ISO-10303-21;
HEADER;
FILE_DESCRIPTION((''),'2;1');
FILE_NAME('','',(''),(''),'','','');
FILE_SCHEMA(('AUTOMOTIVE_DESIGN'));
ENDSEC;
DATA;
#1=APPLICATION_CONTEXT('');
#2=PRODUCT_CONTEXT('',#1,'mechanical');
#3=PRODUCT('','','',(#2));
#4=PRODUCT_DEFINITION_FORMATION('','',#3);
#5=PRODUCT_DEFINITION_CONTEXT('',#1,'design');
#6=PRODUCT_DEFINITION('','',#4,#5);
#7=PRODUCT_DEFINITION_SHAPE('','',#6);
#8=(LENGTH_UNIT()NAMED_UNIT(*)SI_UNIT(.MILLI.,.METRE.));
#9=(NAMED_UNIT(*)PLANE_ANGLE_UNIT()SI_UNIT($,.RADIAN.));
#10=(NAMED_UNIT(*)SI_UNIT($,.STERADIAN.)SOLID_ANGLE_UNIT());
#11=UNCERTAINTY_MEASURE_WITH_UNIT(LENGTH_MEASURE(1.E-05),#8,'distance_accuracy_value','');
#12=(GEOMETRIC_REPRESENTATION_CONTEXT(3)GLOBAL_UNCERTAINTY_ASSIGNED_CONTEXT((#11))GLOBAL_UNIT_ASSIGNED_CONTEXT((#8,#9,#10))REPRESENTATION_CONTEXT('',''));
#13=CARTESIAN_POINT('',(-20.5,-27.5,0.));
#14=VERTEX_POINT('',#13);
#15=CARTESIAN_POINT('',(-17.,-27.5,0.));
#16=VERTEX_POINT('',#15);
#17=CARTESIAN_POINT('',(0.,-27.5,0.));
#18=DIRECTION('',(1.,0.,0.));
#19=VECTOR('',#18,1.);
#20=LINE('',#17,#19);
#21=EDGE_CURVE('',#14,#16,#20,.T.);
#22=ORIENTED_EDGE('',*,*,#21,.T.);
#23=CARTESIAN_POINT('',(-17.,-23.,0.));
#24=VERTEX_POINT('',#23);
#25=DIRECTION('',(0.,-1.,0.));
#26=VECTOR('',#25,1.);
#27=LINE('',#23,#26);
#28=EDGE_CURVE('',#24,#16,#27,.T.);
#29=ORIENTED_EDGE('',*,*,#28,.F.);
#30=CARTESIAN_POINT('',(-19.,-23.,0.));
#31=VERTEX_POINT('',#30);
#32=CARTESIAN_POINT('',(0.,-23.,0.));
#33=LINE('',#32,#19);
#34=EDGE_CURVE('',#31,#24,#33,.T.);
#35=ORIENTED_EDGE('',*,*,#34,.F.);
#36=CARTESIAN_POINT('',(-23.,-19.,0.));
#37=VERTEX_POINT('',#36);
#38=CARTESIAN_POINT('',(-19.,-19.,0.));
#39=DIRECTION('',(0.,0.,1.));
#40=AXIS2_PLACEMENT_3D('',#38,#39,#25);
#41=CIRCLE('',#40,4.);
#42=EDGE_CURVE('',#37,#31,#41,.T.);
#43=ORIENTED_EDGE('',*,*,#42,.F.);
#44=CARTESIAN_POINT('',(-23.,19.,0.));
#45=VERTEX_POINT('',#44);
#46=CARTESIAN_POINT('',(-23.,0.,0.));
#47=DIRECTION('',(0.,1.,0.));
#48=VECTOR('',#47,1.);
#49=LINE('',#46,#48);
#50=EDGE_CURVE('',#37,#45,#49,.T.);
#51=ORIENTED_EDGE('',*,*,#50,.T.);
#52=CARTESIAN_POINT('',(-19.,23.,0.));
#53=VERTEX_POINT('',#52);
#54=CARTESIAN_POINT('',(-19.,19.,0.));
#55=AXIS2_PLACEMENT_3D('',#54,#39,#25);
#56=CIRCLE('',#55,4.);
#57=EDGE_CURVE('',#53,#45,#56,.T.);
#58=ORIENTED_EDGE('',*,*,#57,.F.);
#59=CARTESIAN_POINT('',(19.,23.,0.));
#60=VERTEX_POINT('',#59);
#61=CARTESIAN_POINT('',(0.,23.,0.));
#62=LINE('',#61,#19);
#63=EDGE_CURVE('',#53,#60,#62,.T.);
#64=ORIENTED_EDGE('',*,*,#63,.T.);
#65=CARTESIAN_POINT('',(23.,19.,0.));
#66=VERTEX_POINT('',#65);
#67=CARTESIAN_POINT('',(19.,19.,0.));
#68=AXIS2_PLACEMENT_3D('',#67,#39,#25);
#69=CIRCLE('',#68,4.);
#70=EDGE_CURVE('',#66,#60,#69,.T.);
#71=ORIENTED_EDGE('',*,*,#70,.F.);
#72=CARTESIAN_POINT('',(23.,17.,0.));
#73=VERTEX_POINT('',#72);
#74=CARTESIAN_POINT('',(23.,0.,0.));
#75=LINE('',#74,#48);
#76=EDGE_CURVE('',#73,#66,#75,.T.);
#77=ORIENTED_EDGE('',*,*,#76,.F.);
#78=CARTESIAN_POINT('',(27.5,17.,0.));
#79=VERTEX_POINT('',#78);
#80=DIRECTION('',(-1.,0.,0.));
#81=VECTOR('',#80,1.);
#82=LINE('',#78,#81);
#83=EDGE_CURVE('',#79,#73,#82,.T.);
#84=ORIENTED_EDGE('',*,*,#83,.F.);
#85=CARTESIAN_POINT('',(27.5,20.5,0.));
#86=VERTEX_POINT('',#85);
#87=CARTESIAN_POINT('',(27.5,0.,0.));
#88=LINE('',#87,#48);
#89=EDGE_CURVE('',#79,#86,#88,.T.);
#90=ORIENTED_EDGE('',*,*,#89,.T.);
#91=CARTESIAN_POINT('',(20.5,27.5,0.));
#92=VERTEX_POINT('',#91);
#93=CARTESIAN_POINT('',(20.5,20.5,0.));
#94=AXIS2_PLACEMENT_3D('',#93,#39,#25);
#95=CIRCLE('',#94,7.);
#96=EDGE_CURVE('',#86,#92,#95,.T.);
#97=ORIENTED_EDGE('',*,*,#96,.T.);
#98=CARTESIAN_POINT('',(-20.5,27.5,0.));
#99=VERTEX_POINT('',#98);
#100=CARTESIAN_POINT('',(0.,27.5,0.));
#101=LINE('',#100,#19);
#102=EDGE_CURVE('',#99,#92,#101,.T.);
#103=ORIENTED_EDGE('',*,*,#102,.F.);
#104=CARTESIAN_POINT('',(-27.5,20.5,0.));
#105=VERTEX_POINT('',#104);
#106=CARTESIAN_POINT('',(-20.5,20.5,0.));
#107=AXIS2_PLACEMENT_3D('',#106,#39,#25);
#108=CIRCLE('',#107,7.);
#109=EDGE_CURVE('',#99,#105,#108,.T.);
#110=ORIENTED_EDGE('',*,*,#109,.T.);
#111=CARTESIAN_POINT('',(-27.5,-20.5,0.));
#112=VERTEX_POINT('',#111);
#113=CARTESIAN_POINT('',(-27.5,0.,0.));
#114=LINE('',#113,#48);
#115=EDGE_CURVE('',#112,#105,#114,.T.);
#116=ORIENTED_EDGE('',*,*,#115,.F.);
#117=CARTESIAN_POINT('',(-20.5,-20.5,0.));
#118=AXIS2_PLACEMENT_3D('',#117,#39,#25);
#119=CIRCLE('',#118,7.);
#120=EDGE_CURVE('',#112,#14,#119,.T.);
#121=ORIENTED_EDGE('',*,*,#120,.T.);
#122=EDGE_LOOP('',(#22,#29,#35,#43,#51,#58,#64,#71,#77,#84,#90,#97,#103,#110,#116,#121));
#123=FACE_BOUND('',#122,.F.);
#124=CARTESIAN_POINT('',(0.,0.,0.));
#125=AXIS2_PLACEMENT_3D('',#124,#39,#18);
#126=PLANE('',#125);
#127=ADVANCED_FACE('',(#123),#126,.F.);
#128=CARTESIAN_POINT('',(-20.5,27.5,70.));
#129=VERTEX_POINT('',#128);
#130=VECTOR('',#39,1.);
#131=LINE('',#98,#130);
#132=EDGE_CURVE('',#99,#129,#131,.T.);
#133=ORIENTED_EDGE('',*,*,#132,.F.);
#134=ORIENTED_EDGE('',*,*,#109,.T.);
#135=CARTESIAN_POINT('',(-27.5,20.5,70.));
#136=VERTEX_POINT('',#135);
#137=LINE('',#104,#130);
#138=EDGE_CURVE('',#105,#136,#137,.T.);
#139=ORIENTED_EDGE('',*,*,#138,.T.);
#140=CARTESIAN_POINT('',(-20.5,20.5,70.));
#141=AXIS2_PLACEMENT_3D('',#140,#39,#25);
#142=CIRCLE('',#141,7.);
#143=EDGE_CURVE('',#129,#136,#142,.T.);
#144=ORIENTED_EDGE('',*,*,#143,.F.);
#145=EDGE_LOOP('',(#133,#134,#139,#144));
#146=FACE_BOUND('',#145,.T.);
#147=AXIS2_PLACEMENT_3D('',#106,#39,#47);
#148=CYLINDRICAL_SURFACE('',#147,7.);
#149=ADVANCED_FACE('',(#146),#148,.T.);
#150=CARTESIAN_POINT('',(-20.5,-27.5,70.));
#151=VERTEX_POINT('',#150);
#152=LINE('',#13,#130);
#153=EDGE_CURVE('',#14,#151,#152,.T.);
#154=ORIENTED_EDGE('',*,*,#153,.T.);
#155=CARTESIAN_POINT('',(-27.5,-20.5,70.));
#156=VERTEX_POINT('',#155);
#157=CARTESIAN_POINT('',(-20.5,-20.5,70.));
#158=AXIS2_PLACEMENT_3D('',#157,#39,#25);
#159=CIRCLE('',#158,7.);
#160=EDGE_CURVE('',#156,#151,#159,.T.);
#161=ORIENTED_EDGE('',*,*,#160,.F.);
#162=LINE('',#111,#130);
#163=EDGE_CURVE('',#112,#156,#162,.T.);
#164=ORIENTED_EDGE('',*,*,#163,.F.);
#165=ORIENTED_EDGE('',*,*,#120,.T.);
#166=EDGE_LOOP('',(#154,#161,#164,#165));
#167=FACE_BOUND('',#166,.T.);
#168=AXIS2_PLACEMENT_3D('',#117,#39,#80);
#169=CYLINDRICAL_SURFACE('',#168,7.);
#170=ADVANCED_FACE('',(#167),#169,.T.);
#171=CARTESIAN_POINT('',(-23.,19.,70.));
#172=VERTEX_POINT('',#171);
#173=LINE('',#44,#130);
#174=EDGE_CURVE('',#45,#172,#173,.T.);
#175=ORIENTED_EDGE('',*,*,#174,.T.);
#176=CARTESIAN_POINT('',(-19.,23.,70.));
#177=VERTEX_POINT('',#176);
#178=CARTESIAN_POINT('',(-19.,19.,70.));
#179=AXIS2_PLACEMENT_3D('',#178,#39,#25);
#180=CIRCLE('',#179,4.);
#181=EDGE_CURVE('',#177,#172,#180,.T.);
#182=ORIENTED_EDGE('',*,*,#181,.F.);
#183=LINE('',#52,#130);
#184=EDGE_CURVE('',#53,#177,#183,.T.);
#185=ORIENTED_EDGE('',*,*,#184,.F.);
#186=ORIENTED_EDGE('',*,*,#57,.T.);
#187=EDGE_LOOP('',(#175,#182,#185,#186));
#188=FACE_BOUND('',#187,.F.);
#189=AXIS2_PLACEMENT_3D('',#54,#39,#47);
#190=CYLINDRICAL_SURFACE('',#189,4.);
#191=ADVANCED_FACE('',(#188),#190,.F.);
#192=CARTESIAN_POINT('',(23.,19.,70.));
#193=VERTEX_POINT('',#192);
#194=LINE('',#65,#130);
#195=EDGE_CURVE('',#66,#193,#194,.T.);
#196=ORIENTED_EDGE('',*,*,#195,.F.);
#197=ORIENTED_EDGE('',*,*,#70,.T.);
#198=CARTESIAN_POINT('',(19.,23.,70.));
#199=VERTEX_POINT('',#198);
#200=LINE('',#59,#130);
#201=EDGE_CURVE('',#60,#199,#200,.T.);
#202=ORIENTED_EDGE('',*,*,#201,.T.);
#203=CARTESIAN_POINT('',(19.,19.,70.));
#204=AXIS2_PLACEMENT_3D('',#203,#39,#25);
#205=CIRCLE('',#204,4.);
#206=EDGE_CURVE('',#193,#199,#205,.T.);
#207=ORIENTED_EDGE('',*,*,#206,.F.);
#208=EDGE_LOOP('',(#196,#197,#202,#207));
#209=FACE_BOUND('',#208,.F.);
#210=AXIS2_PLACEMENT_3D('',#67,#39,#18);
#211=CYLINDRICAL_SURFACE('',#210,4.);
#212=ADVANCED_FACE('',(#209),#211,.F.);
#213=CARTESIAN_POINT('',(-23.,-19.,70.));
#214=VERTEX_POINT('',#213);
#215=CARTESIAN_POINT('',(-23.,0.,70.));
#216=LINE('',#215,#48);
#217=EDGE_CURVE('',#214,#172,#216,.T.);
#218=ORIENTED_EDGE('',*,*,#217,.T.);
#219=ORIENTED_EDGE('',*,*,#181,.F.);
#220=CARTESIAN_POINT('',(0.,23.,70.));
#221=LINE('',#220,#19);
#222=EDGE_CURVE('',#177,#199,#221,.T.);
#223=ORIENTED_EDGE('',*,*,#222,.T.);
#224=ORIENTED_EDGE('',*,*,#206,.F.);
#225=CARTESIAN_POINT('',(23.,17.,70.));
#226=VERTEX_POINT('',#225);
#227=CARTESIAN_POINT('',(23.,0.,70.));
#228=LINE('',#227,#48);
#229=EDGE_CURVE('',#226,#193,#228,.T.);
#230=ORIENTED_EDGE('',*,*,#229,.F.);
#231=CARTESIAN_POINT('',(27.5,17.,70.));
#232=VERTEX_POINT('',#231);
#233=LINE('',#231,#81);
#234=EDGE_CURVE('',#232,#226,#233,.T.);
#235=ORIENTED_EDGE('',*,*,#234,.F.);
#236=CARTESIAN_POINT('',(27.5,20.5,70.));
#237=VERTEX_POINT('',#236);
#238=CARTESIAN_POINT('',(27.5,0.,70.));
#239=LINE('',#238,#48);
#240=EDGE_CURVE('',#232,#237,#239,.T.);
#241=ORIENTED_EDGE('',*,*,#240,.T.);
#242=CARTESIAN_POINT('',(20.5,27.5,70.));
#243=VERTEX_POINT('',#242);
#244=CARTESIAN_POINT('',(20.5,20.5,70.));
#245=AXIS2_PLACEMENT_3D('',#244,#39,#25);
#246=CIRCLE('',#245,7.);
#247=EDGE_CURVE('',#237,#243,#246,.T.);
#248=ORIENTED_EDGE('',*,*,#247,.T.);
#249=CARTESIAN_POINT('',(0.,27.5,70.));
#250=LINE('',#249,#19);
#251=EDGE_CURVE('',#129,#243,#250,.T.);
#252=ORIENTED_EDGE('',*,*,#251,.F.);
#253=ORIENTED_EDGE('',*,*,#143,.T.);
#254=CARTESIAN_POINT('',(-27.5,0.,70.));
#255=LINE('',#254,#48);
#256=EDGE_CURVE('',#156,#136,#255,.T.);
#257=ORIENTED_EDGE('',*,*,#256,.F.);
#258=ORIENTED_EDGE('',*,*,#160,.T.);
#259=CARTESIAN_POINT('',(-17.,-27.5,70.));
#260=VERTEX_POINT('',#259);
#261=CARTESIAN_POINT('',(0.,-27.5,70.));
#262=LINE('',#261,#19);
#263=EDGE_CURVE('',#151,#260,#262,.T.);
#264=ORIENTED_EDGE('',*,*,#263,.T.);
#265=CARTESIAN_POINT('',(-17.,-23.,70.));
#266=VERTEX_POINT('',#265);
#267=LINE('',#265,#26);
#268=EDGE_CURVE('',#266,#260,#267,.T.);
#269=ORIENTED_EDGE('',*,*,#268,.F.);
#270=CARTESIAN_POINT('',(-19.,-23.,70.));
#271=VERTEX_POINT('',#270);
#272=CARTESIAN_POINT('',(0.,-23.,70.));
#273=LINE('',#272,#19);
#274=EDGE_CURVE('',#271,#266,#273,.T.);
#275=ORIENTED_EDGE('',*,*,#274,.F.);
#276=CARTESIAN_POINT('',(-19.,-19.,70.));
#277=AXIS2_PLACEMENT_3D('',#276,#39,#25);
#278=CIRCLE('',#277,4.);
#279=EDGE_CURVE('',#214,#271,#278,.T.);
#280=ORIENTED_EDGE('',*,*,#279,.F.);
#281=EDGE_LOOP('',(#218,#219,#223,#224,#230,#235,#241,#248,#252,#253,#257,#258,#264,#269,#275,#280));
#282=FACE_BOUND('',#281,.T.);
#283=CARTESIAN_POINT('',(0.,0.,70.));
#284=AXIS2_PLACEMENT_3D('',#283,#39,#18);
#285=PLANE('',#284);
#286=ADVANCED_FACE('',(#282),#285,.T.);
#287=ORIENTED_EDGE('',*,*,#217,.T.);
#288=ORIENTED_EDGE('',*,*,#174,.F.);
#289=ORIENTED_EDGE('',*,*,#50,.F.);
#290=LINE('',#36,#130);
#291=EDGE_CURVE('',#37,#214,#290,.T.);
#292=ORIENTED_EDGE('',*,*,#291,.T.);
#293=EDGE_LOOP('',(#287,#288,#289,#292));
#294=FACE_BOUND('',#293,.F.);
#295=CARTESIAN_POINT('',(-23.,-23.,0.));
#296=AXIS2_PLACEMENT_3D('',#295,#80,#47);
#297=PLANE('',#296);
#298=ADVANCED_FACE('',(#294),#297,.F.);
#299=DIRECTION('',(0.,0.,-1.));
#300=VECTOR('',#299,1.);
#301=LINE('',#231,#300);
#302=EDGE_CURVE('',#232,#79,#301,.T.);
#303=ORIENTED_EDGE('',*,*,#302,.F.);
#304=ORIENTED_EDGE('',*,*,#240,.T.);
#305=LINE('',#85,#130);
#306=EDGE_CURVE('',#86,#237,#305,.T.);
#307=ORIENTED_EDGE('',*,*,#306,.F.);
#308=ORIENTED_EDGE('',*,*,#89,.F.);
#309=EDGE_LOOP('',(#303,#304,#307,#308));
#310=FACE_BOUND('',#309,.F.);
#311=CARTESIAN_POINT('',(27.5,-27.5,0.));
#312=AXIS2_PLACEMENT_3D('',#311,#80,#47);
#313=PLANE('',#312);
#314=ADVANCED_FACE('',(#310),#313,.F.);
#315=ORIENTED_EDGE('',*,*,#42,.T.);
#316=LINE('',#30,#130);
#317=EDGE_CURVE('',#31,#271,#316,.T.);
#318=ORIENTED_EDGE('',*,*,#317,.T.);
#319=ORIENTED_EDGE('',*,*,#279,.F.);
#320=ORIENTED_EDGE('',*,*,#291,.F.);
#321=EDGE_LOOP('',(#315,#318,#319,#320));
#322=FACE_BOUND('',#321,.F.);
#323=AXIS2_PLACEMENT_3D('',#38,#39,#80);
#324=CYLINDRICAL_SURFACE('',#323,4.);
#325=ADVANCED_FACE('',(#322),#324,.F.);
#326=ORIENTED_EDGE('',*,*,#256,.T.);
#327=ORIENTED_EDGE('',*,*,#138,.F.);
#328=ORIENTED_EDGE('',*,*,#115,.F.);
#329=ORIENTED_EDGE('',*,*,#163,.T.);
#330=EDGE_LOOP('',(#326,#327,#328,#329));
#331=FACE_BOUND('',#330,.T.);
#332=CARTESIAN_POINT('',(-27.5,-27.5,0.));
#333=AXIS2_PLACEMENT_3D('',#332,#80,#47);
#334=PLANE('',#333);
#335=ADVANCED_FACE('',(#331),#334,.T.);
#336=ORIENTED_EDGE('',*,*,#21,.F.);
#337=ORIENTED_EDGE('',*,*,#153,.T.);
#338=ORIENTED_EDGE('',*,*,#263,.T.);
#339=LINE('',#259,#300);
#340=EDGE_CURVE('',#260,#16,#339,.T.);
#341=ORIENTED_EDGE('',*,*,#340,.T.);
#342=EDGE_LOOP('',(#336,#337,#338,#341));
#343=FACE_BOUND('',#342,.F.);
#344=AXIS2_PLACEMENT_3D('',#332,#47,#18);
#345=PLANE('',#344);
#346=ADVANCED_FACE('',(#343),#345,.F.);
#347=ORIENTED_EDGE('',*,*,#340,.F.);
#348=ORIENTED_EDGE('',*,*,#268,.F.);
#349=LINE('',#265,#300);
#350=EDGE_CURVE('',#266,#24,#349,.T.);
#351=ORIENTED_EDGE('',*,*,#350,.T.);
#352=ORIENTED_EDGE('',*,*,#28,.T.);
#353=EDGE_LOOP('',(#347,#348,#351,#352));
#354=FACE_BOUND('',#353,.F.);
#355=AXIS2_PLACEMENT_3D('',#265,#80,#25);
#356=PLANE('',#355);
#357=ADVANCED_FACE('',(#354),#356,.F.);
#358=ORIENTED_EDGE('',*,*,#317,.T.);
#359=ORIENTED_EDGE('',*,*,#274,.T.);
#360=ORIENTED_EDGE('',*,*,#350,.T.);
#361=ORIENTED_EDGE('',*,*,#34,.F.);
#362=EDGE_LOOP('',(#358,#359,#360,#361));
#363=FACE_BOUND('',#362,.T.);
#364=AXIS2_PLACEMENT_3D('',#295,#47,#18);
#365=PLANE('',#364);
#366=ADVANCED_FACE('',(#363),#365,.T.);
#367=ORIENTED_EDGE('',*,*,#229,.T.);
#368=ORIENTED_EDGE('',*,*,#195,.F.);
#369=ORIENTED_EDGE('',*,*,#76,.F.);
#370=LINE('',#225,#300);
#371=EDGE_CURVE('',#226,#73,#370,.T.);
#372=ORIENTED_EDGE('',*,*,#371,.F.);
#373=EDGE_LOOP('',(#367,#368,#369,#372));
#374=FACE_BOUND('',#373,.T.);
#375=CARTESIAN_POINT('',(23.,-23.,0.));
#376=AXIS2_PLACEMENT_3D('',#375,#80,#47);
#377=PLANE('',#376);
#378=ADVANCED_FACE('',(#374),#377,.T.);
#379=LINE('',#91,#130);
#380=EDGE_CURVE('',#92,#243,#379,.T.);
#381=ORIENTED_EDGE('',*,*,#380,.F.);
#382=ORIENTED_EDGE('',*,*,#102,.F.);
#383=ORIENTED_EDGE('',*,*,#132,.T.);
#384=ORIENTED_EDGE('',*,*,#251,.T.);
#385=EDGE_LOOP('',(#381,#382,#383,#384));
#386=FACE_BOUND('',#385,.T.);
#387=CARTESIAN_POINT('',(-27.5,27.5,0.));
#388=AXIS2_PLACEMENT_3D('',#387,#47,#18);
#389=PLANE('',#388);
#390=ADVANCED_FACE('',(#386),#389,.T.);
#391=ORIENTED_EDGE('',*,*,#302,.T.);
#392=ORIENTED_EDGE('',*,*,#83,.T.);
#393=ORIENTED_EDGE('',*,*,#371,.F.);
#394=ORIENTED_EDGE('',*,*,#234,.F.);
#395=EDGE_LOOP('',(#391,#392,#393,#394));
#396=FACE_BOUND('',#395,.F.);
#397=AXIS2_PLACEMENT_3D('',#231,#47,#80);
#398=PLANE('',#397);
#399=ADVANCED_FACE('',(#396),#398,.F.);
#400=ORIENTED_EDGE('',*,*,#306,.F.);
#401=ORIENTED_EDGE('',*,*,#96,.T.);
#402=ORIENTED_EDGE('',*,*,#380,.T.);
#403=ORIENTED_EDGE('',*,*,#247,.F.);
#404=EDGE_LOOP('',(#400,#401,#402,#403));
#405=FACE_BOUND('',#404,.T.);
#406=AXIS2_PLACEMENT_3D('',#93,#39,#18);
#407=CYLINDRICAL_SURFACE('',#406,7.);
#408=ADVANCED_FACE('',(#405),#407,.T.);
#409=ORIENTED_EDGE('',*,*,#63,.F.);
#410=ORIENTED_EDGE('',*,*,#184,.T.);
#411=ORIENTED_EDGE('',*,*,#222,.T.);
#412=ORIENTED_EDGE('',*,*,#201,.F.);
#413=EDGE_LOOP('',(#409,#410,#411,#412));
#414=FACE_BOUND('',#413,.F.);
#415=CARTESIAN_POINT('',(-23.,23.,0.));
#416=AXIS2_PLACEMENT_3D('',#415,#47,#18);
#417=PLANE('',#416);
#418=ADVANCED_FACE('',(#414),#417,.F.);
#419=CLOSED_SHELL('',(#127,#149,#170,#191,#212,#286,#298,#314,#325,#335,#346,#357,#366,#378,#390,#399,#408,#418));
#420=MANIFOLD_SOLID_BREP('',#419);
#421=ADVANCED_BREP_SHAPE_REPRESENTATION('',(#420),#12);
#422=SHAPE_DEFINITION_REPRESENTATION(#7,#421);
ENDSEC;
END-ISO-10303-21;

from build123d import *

# Parameters (mm, degrees)
SKETCH_W        = 55
SKETCH_H        = 55
PAD_DEPTH       = 70
SKETCH001_W     = 46
SKETCH001_H     = 46
POCKET_DEPTH    = 70
POCKET001_DEPTH = 70
FILLET_R        = 4
FILLET001_R     = 7


with BuildPart() as part:
    # Sketch → Pad (new body)
    with BuildSketch(Plane.XY):
        Rectangle(SKETCH_W, SKETCH_H)
    extrude(amount=PAD_DEPTH)

    # Sketch001 → Pocket (cut)
    with BuildSketch(Plane.XY):
        Rectangle(SKETCH001_W, SKETCH001_H)
    extrude(amount=POCKET_DEPTH, mode=Mode.SUBTRACT)

    # Sketch002 (on Face5 of Pocket) → Pocket001 (cut)
    with BuildSketch(Plane.XY.offset(70)):
        Polygon((23, -23), (-17, -23), (-17, -27.5), (27.5, -27.5), (27.5, 17), (23, 17), align=None)
    extrude(amount=-POCKET001_DEPTH, mode=Mode.SUBTRACT)

    # Fillet
    fillet_edges = [part.edges().sort_by_distance(p)[0] for p in [
        (-23, -23, 35),
        (-23, 23, 35),
        (23, 23, 35),
    ]]
    fillet(fillet_edges, radius=FILLET_R)

    # Fillet001
    fillet001_edges = [part.edges().sort_by_distance(p)[0] for p in [
        (-27.5, -27.5, 35),
        (-27.5, 27.5, 35),
        (27.5, 27.5, 35),
    ]]
    fillet(fillet001_edges, radius=FILLET001_R)


solid = part.part
